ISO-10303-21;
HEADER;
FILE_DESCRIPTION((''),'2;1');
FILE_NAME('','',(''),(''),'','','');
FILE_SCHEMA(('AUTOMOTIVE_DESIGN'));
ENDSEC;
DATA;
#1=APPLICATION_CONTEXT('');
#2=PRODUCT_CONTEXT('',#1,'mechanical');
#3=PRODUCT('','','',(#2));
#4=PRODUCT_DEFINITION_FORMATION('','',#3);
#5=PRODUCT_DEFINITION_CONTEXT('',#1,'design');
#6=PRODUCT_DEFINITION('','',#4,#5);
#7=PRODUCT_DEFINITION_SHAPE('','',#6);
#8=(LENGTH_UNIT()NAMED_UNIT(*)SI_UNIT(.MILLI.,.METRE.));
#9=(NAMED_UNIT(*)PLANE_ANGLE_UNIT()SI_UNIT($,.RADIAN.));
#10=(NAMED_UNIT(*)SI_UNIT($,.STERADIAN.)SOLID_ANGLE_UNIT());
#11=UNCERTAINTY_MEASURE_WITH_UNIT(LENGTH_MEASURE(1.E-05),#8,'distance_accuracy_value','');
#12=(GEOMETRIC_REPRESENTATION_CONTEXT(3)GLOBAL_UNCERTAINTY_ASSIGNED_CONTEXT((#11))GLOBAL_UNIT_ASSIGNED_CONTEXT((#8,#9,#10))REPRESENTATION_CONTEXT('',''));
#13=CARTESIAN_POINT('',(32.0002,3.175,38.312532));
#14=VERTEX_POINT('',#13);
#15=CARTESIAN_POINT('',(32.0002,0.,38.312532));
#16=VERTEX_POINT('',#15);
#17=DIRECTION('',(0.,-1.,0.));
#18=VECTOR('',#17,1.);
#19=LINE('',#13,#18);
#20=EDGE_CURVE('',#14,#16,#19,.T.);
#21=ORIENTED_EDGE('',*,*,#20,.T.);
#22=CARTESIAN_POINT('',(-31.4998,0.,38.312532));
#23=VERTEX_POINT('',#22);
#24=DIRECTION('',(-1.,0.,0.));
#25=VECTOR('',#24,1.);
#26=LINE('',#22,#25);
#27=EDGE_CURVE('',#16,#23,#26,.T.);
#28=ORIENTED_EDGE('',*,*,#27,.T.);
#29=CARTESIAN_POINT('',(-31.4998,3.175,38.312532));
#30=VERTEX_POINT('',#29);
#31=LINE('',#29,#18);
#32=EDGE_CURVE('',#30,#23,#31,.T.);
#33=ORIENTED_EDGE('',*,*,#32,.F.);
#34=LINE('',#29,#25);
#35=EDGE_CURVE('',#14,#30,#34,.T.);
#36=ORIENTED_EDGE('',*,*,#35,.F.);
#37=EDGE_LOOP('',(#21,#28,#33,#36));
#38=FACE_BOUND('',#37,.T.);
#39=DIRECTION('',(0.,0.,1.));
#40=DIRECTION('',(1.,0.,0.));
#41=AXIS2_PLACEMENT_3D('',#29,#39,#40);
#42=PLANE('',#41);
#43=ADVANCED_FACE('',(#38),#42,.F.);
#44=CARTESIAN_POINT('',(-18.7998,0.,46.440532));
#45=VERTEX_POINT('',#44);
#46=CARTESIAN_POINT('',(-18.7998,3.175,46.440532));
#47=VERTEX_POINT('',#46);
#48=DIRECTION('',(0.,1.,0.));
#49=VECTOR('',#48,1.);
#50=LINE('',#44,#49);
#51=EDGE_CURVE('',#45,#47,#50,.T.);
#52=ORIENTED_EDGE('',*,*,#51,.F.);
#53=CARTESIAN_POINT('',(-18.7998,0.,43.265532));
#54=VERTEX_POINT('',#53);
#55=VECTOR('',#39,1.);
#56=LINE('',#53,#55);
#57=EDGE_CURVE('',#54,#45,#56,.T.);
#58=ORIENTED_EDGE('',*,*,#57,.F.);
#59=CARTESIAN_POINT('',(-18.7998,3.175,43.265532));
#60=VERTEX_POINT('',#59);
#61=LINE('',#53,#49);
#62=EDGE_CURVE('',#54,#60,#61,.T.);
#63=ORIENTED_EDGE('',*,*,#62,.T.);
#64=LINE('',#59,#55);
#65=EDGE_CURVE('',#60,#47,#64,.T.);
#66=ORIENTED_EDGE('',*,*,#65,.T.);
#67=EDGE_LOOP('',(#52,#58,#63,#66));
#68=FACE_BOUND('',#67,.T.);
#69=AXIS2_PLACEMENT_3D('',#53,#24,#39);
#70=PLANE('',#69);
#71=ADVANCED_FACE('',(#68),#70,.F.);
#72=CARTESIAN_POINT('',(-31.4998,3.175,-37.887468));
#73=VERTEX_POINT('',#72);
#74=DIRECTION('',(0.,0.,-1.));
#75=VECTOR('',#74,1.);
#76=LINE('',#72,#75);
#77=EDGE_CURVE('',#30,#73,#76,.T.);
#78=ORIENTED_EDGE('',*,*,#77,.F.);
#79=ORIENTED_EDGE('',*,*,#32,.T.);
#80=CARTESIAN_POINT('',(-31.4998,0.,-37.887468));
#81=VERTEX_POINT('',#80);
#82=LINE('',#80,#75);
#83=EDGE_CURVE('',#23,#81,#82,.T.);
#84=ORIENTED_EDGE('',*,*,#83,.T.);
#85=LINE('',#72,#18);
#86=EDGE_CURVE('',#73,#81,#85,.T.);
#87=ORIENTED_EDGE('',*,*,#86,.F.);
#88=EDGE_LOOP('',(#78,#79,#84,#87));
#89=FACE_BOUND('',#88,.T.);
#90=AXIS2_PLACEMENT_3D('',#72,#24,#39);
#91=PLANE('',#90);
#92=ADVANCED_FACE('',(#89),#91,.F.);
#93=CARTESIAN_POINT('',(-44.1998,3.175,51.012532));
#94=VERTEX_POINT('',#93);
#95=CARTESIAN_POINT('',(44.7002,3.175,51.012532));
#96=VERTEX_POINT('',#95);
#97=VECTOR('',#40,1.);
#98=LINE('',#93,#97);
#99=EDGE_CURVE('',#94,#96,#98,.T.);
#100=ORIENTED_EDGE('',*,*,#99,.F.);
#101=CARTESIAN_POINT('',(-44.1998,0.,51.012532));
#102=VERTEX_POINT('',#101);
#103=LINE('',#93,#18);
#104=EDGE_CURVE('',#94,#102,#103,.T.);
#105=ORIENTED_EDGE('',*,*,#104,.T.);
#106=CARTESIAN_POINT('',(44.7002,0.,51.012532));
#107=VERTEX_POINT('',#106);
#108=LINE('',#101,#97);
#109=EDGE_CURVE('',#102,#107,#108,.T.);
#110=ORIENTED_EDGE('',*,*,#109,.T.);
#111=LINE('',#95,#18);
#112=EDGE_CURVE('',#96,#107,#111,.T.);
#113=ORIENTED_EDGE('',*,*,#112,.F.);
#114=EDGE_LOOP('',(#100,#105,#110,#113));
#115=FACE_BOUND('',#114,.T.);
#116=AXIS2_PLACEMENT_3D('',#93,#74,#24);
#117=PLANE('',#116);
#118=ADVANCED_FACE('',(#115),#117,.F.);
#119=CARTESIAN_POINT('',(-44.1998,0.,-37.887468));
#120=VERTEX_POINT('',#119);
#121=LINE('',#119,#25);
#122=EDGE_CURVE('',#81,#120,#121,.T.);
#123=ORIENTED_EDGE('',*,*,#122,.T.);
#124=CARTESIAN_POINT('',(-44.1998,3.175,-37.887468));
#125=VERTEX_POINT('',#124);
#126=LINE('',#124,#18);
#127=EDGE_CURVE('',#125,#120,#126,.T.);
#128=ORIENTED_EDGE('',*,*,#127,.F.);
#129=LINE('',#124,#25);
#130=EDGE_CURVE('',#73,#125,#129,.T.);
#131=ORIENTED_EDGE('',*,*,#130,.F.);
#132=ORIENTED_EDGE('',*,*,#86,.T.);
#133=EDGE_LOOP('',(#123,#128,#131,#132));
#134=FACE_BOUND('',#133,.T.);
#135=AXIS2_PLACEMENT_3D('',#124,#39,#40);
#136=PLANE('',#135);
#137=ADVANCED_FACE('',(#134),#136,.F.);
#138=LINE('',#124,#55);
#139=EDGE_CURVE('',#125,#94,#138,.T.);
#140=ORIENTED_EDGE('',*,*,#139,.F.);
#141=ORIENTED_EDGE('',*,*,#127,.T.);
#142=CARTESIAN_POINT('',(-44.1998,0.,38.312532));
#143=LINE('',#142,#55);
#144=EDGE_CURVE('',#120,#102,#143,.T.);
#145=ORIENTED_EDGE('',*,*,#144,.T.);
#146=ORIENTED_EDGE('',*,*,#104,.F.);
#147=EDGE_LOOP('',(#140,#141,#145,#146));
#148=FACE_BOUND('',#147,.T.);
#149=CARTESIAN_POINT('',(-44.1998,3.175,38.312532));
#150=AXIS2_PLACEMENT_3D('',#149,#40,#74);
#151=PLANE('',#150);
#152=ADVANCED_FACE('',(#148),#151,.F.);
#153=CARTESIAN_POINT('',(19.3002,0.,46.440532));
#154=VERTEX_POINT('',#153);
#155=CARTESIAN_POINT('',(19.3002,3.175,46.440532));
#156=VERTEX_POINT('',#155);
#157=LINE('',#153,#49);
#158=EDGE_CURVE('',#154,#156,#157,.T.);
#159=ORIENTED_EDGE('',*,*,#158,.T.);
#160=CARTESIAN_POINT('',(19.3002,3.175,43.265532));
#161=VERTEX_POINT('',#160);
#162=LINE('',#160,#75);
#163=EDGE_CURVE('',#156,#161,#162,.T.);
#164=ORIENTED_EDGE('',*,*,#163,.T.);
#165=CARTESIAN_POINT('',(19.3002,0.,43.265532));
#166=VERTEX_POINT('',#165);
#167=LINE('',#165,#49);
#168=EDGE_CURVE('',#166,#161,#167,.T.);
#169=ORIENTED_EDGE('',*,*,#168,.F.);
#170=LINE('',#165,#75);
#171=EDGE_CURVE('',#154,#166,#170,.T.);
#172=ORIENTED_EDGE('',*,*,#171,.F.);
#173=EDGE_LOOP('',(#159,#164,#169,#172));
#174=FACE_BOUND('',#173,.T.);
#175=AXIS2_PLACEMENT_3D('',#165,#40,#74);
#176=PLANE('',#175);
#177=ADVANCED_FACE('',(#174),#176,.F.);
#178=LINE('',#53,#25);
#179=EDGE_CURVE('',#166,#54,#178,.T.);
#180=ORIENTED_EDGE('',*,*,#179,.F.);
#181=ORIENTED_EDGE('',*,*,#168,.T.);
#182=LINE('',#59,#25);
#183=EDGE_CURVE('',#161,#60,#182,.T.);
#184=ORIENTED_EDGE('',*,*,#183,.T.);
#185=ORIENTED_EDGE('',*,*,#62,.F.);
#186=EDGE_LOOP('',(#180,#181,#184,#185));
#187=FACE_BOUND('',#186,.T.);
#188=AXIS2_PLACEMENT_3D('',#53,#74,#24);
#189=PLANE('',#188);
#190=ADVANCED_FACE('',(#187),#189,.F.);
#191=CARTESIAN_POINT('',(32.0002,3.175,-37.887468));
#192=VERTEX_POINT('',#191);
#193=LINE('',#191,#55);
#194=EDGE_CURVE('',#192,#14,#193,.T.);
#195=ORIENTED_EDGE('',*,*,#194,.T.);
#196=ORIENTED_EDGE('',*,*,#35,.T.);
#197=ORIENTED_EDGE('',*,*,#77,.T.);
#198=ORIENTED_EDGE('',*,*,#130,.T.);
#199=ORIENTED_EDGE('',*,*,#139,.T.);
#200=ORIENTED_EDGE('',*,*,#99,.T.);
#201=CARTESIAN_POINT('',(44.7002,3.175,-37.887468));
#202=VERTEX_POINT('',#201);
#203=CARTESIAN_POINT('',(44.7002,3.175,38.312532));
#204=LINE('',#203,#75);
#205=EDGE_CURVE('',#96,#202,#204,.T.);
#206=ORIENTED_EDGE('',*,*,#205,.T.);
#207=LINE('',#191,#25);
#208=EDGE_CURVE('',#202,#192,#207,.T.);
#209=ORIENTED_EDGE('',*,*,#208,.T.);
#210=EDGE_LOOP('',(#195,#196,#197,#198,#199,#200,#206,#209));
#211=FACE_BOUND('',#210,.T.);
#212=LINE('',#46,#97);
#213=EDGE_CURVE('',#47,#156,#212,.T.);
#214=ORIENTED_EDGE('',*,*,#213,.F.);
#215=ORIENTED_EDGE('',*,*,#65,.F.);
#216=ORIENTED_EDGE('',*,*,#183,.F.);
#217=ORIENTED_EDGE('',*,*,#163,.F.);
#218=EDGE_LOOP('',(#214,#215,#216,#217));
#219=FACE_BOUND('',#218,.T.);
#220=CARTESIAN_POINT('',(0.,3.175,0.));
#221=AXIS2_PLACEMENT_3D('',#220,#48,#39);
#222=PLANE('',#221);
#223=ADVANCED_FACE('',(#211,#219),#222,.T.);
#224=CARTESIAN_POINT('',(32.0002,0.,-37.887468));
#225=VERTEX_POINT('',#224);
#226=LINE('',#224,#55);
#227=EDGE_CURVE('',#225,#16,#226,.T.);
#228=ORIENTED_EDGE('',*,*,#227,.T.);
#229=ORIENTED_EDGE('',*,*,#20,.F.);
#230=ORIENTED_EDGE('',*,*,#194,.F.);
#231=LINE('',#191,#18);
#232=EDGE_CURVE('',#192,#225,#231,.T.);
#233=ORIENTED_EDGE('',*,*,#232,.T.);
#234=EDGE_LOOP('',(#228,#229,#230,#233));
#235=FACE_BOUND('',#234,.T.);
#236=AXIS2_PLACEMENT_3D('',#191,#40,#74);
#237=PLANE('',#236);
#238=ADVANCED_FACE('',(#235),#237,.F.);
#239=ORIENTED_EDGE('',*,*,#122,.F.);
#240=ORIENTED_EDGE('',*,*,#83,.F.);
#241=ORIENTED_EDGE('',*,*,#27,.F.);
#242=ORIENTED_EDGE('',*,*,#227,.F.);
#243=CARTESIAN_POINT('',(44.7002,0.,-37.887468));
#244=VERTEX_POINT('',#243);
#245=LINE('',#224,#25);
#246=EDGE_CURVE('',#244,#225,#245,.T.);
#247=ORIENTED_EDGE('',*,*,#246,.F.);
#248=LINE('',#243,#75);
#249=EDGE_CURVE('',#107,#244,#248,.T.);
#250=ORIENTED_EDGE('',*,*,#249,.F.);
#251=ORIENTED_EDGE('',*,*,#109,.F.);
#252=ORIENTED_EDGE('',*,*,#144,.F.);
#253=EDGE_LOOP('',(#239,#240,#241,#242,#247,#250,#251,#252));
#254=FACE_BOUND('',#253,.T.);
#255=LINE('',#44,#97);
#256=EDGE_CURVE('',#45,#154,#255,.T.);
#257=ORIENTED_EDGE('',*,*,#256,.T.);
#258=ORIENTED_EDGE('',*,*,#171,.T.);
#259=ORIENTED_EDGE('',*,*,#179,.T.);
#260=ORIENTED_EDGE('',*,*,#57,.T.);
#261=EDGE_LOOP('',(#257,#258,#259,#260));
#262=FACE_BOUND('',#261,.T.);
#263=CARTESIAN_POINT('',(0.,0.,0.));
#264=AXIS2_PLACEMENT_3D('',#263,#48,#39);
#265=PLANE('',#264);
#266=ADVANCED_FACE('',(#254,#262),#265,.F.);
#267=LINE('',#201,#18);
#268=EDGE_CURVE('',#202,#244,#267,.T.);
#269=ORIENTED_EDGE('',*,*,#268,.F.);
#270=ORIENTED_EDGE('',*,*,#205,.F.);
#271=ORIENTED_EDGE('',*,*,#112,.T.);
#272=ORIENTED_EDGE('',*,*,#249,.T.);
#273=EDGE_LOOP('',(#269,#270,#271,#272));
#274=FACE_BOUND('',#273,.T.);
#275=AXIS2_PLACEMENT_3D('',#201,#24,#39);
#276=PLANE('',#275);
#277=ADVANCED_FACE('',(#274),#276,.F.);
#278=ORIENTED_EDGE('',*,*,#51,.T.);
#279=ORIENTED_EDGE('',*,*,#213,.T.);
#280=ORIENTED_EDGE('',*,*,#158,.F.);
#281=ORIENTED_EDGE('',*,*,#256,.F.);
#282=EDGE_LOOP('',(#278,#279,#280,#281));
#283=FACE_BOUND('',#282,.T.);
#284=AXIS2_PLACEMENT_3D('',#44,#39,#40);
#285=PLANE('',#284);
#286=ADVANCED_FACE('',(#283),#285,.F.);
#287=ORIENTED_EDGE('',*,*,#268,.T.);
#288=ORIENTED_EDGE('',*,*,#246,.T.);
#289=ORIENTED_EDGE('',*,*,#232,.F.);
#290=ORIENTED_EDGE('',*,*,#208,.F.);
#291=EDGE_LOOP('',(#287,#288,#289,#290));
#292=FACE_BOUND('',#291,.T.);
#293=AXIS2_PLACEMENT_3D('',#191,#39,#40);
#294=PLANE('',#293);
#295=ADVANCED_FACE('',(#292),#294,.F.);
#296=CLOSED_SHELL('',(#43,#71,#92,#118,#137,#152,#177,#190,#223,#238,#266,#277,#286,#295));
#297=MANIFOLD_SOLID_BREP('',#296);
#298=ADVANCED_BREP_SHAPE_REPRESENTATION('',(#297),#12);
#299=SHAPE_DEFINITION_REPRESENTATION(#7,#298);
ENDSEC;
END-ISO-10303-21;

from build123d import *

# Parameters (mm, degrees)
BOSS_EXTRUDE1_DEPTH = 3.175
SKETCH3_W           = 38.1
SKETCH3_H           = 3.175
CUT_EXTRUDE1_DEPTH  = 3.175


with BuildPart() as part:
    # Sketch2 → Boss-Extrude1 (new body)
    with BuildSketch(Plane(origin=(0, 0, 0), x_dir=(1, 0, 0), z_dir=(0, 1, 0))):
        Polygon((-44.199800383, 37.887467748), (-31.499800383, 37.887467748), (-31.499800383, -38.312532252), (32.000199617, -38.312532252), (32.000199617, 37.887467748), (44.700199617, 37.887467748), (44.700199617, -38.312532252), (44.700199617, -51.012532252), (-44.199800383, -51.012532252), (-44.199800383, -38.312532252), align=None)
    extrude(amount=BOSS_EXTRUDE1_DEPTH)

    # Sketch3 → Cut-Extrude1 (cut)
    with BuildSketch(Plane(origin=(0, 3.175, 0), x_dir=(1, 0, 0), z_dir=(0, 1, 0))):
        with Locations((0.250199617, -44.853032252)):
            Rectangle(SKETCH3_W, SKETCH3_H)
    extrude(amount=-CUT_EXTRUDE1_DEPTH, mode=Mode.SUBTRACT)


solid = part.part
